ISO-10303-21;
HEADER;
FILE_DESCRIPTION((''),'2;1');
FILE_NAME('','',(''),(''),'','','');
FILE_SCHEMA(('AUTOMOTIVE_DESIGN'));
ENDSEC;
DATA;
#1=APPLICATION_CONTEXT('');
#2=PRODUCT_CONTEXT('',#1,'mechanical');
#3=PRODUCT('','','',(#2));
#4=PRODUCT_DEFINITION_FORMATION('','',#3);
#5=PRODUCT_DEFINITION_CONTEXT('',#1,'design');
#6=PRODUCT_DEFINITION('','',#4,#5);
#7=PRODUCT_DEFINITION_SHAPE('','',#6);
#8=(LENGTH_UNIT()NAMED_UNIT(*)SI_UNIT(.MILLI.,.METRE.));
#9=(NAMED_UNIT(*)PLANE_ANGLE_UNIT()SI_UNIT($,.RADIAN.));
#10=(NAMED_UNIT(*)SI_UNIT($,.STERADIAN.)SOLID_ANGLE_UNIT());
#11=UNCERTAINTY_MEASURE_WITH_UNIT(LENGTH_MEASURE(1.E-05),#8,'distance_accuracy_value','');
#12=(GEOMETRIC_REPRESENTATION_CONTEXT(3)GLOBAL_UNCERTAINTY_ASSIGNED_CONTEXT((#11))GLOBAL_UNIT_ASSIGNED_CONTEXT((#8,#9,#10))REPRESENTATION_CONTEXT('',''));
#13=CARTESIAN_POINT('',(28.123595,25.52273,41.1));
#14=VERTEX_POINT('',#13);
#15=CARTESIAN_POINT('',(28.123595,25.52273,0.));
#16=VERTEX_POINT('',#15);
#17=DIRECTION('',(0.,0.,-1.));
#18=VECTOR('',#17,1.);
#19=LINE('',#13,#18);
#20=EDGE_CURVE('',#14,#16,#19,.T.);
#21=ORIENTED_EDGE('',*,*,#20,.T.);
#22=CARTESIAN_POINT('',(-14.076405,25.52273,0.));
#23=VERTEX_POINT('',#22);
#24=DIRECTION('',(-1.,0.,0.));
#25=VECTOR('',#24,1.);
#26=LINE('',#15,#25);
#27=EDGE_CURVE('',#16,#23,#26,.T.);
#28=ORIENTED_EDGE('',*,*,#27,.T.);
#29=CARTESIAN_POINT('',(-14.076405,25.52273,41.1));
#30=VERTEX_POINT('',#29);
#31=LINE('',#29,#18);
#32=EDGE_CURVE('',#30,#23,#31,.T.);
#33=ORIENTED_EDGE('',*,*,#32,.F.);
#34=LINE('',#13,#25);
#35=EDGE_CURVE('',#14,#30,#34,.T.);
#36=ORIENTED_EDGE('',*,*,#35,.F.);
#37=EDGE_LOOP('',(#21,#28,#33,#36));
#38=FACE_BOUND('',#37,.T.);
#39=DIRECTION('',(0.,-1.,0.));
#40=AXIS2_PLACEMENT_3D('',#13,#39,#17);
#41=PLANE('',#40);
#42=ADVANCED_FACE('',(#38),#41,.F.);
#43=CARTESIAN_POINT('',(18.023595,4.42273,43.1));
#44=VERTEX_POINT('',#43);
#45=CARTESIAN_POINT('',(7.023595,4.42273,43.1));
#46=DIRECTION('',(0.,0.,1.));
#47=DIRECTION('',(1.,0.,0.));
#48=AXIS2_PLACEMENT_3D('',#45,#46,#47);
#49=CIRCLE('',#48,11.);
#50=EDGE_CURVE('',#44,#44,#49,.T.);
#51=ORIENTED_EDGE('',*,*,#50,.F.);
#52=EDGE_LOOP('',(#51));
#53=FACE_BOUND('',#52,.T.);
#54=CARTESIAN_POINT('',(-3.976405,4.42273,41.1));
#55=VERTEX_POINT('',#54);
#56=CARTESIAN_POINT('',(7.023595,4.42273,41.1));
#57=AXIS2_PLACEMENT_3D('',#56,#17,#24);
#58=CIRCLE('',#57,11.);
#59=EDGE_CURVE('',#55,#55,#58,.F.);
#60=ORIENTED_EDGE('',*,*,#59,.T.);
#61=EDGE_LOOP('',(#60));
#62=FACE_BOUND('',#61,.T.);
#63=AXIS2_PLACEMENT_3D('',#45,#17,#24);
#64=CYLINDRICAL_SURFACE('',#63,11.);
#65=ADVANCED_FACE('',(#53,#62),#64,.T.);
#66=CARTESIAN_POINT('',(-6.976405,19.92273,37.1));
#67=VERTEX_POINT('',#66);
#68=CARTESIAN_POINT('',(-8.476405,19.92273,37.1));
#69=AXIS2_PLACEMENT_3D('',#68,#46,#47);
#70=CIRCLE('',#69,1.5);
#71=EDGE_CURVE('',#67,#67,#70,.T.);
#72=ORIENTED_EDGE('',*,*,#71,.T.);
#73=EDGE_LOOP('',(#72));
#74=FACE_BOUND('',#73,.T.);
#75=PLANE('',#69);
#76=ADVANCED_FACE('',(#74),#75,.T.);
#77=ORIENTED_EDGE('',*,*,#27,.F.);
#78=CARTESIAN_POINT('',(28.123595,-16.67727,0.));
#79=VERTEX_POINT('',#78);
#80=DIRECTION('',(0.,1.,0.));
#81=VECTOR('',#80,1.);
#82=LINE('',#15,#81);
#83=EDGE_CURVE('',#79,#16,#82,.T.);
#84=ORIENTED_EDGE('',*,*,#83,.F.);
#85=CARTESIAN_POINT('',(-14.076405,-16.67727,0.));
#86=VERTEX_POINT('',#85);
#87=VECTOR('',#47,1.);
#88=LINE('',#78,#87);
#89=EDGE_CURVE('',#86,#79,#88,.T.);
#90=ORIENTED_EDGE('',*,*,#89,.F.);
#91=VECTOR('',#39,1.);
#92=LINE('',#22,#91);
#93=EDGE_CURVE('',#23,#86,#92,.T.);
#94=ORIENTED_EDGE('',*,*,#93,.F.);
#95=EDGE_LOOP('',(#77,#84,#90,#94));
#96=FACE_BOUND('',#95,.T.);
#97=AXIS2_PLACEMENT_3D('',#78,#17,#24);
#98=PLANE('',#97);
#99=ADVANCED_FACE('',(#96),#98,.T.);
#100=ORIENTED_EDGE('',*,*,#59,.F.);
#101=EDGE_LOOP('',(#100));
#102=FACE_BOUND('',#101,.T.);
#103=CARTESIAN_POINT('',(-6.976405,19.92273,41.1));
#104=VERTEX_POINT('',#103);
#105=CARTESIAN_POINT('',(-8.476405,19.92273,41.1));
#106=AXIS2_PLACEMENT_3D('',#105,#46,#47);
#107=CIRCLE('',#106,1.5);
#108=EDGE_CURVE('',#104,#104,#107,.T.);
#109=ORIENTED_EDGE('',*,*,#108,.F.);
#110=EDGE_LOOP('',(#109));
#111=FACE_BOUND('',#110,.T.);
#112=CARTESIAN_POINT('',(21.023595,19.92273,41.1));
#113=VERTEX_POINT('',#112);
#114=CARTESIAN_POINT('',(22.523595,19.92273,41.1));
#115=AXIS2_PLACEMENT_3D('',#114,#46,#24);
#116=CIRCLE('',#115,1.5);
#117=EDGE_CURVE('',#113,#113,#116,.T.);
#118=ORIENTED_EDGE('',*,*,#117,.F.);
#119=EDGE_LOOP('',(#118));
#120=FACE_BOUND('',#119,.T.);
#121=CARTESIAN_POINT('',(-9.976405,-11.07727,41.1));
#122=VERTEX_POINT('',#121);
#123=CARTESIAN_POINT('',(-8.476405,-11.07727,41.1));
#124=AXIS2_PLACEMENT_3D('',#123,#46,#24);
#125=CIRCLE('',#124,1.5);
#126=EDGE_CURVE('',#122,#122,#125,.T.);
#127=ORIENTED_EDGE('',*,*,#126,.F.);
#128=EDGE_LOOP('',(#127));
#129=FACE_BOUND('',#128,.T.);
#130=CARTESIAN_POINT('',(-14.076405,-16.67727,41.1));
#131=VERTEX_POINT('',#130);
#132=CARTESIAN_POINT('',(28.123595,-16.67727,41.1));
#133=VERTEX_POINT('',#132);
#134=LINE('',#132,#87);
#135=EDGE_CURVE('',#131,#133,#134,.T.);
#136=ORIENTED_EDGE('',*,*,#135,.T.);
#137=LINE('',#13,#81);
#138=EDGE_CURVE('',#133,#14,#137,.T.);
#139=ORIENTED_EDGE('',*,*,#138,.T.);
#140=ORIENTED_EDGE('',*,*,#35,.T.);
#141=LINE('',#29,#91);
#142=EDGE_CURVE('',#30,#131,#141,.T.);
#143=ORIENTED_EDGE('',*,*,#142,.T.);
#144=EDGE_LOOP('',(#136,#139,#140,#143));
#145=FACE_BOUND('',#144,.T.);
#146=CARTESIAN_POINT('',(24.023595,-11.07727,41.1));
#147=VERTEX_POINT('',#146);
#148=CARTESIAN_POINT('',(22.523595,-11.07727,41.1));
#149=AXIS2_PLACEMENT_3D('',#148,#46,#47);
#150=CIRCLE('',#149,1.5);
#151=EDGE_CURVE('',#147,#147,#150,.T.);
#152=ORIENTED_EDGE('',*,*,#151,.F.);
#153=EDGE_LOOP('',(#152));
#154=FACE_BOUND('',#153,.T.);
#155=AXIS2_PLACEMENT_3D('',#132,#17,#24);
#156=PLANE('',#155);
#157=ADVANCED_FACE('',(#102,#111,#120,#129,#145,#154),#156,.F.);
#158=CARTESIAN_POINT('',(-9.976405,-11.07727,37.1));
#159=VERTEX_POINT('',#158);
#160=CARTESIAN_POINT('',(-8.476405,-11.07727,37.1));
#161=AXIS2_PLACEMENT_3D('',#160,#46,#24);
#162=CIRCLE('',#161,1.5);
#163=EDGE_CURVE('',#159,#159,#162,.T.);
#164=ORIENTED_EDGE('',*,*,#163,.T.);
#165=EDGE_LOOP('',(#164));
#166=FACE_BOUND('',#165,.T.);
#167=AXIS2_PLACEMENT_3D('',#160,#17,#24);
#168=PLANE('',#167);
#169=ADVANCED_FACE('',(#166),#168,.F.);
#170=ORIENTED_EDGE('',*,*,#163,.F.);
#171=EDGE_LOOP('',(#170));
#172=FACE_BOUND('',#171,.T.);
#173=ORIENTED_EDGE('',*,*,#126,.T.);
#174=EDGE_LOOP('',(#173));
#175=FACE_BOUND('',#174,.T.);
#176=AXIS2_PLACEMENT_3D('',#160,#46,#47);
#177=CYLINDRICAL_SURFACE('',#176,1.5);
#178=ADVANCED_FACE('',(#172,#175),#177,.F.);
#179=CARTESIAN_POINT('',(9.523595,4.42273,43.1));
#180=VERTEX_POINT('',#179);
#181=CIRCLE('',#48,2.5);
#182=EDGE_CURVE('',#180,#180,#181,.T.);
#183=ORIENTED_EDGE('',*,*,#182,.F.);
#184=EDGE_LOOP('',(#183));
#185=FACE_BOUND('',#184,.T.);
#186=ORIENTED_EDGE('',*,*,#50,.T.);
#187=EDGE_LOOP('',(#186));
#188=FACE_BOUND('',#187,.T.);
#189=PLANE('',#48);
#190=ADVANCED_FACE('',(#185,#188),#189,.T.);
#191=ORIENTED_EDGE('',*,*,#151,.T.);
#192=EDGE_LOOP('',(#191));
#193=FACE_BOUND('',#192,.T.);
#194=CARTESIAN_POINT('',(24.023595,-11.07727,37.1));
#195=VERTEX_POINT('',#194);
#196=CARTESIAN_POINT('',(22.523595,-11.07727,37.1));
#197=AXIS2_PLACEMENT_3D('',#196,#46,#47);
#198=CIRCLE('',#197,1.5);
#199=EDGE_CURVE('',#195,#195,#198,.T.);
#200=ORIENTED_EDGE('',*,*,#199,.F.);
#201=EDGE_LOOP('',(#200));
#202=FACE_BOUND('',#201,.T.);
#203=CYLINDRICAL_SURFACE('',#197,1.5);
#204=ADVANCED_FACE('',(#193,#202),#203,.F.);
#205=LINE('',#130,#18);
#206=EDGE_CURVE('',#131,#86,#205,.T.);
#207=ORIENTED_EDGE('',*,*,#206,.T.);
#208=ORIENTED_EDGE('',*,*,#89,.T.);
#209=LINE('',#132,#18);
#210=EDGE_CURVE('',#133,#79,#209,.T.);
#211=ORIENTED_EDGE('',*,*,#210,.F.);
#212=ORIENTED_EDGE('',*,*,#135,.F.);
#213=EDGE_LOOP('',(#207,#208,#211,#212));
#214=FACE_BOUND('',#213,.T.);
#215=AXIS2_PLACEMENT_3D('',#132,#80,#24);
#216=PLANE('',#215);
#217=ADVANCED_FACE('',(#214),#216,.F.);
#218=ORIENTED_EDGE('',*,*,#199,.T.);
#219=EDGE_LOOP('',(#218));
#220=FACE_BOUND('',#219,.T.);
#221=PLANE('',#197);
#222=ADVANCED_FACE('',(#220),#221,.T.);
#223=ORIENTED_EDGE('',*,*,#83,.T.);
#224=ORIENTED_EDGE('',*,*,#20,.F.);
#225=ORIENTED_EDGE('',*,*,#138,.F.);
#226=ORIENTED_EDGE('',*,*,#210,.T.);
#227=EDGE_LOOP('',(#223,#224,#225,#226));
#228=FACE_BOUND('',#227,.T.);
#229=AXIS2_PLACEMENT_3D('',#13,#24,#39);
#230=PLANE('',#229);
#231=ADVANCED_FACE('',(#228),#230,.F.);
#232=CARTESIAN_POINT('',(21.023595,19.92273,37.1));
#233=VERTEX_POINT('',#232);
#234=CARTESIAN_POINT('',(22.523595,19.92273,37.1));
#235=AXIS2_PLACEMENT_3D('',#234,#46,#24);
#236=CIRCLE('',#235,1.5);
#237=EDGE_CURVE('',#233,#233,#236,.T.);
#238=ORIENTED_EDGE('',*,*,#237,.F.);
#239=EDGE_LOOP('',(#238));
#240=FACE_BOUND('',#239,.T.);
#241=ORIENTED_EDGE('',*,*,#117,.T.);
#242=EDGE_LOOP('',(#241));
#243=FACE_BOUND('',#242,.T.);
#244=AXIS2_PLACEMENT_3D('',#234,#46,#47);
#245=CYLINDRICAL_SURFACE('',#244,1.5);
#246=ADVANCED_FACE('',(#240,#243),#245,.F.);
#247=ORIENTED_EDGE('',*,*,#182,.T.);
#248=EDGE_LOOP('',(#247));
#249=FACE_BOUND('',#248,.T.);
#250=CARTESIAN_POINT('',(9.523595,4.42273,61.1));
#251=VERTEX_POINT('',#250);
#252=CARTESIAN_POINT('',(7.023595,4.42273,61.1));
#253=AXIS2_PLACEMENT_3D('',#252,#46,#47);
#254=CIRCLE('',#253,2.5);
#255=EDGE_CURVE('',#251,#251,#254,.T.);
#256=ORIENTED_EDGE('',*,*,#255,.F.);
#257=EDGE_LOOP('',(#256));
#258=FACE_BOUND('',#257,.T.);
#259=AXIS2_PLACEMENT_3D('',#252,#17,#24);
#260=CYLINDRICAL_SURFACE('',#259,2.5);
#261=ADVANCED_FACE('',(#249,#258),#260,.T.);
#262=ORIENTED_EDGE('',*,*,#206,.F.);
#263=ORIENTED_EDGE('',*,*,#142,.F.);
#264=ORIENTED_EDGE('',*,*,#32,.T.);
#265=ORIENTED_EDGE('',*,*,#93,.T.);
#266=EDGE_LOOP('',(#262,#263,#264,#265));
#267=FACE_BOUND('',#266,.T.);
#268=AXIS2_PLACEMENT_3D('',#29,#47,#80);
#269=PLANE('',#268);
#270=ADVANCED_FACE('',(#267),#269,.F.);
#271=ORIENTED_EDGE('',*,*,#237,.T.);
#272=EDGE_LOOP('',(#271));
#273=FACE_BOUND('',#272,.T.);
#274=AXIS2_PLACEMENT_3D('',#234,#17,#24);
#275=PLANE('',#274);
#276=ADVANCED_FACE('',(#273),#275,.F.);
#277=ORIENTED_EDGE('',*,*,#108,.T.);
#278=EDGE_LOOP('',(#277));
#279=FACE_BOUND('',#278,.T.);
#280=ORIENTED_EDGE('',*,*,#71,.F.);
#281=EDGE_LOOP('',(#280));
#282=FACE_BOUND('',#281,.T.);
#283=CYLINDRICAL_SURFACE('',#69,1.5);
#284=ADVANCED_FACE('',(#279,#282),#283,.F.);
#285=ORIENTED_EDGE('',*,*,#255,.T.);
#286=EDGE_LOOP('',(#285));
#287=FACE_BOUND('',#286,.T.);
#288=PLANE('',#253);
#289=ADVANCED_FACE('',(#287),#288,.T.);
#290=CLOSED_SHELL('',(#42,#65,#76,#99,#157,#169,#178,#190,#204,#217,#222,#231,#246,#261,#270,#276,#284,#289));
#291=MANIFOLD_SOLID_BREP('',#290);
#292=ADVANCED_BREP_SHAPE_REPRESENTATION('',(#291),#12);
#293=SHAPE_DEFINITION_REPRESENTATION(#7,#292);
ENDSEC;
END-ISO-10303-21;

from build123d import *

# Parameters (mm, degrees)
ESQUISSE1_W      = 42.2
ESQUISSE1_H      = 42.2
EXTRUSION1_DEPTH = 41.1
ESQUISSE2_R      = 11
EXTRUSION2_DEPTH = 2
ESQUISSE3_R      = 2.5
EXTRUSION3_DEPTH = 18
ESQUISSE4_R      = 1.5
EXTRUSION4_DEPTH = 4


with BuildPart() as part:
    # Esquisse1 → Extrusion1 (new body)
    with BuildSketch(Plane.XY):
        with Locations((7.023594794, 4.422730203)):
            Rectangle(ESQUISSE1_W, ESQUISSE1_H)
    extrude(amount=EXTRUSION1_DEPTH)

    # Esquisse2 → Extrusion2 (add)
    with BuildSketch(Plane.XY.offset(41.1)):
        with Locations(Location((7.023594794, 4.422730203, 0), (0, 0, 180))):
            Circle(ESQUISSE2_R)
    extrude(amount=EXTRUSION2_DEPTH)

    # Esquisse3 → Extrusion3 (add)
    with BuildSketch(Plane.XY.offset(43.1)):
        with Locations((7.023594794, 4.422730203)):
            Circle(ESQUISSE3_R)
    extrude(amount=EXTRUSION3_DEPTH)

    # Esquisse4 → Extrusion4 (cut)
    with BuildSketch(Plane.XY.offset(41.1)):
        with Locations((-8.476405206, 19.922730203)):
            Circle(ESQUISSE4_R)
        with Locations(Location((22.523594794, 19.922730203, 0), (0, 0, 180))):
            Circle(ESQUISSE4_R)
        with Locations((22.523594794, -11.077269797)):
            Circle(ESQUISSE4_R)
        with Locations(Location((-8.476405206, -11.077269797, 0), (0, 0, 180))):
            Circle(ESQUISSE4_R)
    extrude(amount=-EXTRUSION4_DEPTH, mode=Mode.SUBTRACT)


solid = part.part
